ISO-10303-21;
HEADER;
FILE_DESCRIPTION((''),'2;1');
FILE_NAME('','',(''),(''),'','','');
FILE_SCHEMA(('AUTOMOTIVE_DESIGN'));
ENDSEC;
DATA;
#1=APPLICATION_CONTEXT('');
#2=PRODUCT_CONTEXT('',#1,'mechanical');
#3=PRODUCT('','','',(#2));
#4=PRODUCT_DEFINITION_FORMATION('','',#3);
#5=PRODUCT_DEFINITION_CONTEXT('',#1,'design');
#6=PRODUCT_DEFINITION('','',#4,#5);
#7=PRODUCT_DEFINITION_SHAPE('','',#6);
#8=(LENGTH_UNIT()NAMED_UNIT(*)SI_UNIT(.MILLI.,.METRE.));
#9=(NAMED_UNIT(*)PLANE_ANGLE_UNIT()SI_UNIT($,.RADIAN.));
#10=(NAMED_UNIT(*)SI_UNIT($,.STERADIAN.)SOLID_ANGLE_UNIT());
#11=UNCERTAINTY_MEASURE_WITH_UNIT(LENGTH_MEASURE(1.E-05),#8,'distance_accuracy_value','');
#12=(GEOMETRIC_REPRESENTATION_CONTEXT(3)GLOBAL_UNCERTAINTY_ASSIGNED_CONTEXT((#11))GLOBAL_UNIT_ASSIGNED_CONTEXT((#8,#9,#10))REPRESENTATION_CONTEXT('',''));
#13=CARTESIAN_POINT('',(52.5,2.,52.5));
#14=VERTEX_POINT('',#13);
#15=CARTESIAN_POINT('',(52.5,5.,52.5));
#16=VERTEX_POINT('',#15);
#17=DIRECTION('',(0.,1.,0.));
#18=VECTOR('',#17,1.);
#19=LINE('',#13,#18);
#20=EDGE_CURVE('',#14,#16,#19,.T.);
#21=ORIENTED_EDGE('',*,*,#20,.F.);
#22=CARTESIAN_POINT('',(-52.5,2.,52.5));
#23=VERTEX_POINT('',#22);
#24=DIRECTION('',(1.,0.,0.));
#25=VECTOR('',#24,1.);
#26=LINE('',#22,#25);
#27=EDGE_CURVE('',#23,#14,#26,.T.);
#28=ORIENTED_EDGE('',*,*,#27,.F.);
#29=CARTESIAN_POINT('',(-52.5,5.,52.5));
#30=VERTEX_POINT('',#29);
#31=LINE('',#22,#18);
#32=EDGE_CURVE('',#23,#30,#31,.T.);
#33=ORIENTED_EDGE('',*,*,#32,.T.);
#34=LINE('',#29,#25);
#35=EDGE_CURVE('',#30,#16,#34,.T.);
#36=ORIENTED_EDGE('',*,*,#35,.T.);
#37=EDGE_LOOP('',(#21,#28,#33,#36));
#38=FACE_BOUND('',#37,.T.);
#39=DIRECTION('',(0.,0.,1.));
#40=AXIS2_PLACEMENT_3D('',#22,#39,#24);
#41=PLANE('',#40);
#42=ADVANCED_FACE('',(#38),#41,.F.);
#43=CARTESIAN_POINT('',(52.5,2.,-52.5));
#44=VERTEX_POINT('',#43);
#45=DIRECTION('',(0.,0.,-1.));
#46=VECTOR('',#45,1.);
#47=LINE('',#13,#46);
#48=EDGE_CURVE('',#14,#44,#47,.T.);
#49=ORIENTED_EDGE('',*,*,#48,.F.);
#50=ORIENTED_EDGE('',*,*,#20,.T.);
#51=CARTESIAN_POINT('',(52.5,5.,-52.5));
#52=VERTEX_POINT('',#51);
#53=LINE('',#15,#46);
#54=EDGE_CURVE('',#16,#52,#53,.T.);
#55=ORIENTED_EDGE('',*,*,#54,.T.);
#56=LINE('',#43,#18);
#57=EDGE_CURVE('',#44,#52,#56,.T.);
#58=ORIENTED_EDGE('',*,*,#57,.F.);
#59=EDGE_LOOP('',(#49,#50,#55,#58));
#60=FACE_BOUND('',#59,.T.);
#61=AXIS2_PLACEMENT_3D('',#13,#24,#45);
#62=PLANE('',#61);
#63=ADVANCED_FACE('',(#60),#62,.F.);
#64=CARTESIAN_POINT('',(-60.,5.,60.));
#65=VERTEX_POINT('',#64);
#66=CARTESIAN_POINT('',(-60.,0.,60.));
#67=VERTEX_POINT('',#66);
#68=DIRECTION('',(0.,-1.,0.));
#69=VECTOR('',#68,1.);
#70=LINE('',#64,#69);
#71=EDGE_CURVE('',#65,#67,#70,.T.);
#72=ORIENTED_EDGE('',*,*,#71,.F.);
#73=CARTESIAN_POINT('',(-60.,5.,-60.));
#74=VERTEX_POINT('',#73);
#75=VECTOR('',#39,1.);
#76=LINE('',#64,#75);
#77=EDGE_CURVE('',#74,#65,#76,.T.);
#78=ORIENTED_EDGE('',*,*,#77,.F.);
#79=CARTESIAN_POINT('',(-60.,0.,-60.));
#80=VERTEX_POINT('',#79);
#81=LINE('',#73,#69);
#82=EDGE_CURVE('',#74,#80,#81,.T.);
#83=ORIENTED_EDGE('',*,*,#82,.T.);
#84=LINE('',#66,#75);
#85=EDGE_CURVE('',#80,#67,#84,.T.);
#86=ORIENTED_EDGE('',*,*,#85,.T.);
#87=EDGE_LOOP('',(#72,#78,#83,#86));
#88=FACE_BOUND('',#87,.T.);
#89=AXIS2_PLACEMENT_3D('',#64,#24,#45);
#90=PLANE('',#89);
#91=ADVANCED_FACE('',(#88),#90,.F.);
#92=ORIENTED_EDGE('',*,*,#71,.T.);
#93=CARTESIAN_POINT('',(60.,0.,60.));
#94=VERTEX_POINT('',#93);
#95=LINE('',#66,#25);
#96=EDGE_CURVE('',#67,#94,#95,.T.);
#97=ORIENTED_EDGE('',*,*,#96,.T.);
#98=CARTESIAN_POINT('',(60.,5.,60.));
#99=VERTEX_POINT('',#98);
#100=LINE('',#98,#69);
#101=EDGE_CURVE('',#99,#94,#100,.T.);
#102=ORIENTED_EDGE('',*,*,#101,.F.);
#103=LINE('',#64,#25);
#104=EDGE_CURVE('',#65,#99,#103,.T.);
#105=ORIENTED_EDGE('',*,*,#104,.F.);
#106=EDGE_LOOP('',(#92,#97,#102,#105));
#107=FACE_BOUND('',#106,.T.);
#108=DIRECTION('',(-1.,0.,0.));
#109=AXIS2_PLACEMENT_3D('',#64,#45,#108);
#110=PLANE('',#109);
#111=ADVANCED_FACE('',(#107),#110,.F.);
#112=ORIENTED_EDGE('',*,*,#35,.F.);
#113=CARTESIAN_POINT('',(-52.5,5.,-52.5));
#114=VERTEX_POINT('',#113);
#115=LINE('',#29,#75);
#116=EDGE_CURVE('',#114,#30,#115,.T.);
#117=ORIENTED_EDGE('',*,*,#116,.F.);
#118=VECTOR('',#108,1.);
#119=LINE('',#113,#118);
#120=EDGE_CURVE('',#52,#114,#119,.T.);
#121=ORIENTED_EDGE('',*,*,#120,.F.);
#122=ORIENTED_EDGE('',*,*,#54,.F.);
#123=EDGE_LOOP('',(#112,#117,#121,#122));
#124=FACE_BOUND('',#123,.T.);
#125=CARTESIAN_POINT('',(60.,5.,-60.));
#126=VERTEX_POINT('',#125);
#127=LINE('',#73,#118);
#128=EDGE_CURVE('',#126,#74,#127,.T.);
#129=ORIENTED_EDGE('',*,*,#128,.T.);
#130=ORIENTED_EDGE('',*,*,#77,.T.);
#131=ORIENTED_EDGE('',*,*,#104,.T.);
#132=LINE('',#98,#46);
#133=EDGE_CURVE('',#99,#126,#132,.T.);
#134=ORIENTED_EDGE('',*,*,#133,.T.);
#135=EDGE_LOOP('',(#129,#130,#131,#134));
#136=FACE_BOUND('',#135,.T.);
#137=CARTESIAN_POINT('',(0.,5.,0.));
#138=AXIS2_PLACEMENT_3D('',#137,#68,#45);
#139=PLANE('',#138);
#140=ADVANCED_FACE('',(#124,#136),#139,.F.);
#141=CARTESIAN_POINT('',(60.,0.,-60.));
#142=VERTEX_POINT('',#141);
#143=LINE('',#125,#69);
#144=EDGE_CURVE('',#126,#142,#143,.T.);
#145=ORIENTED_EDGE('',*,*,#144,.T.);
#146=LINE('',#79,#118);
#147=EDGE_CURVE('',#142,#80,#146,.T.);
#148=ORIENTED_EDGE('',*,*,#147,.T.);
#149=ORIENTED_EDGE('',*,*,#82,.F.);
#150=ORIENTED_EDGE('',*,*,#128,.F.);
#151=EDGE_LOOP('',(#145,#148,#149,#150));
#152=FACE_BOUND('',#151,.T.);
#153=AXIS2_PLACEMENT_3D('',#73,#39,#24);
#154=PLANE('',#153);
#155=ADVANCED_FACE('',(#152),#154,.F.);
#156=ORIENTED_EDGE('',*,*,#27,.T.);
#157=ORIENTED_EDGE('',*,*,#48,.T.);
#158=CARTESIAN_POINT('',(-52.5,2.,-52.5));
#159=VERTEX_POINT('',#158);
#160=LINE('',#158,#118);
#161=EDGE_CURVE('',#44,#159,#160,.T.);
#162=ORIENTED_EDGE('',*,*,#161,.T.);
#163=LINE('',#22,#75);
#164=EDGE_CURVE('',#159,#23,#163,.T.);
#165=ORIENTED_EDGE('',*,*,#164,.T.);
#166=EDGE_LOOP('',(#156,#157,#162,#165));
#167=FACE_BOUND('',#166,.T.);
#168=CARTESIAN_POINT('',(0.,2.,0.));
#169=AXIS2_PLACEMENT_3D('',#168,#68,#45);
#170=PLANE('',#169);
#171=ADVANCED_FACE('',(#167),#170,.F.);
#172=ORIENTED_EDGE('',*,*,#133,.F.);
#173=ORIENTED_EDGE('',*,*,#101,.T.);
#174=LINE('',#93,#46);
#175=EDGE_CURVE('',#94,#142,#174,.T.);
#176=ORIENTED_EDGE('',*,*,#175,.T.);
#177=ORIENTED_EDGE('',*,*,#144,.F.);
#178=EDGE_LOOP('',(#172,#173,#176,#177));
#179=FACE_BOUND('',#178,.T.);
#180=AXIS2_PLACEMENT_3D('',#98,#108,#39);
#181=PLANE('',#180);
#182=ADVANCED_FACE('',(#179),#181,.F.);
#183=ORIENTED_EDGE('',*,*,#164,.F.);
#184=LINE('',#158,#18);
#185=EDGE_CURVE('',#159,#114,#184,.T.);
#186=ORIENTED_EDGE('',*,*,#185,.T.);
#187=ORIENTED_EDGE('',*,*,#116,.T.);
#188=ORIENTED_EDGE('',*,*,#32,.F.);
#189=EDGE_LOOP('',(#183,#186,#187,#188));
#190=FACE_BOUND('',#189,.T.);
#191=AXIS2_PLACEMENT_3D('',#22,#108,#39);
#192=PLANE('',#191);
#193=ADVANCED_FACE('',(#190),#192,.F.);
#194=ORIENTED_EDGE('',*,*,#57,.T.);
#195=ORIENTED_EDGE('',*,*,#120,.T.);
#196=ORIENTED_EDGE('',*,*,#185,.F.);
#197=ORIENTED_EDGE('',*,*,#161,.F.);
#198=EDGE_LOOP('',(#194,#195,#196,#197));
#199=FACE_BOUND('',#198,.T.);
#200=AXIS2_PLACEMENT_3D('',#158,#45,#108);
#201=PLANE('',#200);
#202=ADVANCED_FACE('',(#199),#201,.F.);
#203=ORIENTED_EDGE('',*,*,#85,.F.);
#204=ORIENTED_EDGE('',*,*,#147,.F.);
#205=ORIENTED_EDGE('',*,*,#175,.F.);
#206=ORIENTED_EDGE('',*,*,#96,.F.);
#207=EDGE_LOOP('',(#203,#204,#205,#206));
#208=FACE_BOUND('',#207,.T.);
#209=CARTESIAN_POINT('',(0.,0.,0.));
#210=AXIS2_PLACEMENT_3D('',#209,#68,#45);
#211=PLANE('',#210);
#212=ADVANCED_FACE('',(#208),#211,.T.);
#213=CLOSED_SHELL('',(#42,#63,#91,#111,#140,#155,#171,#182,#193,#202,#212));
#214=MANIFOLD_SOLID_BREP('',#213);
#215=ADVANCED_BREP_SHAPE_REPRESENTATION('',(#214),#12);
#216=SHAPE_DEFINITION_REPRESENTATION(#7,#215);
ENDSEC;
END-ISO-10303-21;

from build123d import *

# Parameters (mm, degrees)
SKETCH_1_W          = 120
SKETCH_1_H          = 120
EXTRUDE_1_DEPTH     = 5
SKETCH_2_W          = 105
SKETCH_2_H          = 105
CUT_EXTRUDE_1_DEPTH = 3


with BuildPart() as part:
    # Эскиз1 → Бобышка-Вытянуть1 (new body)
    with BuildSketch(Plane(origin=(0, 0, 0), x_dir=(1, 0, 0), z_dir=(0, 1, 0))):
        Rectangle(SKETCH_1_W, SKETCH_1_H)
    extrude(amount=EXTRUDE_1_DEPTH)

    # Эскиз2 → Вырез-Вытянуть1 (cut)
    with BuildSketch(Plane(origin=(0, 5, 0), x_dir=(1, 0, 0), z_dir=(0, 1, 0))):
        Rectangle(SKETCH_2_W, SKETCH_2_H)
    extrude(amount=-CUT_EXTRUDE_1_DEPTH, mode=Mode.SUBTRACT)


solid = part.part
